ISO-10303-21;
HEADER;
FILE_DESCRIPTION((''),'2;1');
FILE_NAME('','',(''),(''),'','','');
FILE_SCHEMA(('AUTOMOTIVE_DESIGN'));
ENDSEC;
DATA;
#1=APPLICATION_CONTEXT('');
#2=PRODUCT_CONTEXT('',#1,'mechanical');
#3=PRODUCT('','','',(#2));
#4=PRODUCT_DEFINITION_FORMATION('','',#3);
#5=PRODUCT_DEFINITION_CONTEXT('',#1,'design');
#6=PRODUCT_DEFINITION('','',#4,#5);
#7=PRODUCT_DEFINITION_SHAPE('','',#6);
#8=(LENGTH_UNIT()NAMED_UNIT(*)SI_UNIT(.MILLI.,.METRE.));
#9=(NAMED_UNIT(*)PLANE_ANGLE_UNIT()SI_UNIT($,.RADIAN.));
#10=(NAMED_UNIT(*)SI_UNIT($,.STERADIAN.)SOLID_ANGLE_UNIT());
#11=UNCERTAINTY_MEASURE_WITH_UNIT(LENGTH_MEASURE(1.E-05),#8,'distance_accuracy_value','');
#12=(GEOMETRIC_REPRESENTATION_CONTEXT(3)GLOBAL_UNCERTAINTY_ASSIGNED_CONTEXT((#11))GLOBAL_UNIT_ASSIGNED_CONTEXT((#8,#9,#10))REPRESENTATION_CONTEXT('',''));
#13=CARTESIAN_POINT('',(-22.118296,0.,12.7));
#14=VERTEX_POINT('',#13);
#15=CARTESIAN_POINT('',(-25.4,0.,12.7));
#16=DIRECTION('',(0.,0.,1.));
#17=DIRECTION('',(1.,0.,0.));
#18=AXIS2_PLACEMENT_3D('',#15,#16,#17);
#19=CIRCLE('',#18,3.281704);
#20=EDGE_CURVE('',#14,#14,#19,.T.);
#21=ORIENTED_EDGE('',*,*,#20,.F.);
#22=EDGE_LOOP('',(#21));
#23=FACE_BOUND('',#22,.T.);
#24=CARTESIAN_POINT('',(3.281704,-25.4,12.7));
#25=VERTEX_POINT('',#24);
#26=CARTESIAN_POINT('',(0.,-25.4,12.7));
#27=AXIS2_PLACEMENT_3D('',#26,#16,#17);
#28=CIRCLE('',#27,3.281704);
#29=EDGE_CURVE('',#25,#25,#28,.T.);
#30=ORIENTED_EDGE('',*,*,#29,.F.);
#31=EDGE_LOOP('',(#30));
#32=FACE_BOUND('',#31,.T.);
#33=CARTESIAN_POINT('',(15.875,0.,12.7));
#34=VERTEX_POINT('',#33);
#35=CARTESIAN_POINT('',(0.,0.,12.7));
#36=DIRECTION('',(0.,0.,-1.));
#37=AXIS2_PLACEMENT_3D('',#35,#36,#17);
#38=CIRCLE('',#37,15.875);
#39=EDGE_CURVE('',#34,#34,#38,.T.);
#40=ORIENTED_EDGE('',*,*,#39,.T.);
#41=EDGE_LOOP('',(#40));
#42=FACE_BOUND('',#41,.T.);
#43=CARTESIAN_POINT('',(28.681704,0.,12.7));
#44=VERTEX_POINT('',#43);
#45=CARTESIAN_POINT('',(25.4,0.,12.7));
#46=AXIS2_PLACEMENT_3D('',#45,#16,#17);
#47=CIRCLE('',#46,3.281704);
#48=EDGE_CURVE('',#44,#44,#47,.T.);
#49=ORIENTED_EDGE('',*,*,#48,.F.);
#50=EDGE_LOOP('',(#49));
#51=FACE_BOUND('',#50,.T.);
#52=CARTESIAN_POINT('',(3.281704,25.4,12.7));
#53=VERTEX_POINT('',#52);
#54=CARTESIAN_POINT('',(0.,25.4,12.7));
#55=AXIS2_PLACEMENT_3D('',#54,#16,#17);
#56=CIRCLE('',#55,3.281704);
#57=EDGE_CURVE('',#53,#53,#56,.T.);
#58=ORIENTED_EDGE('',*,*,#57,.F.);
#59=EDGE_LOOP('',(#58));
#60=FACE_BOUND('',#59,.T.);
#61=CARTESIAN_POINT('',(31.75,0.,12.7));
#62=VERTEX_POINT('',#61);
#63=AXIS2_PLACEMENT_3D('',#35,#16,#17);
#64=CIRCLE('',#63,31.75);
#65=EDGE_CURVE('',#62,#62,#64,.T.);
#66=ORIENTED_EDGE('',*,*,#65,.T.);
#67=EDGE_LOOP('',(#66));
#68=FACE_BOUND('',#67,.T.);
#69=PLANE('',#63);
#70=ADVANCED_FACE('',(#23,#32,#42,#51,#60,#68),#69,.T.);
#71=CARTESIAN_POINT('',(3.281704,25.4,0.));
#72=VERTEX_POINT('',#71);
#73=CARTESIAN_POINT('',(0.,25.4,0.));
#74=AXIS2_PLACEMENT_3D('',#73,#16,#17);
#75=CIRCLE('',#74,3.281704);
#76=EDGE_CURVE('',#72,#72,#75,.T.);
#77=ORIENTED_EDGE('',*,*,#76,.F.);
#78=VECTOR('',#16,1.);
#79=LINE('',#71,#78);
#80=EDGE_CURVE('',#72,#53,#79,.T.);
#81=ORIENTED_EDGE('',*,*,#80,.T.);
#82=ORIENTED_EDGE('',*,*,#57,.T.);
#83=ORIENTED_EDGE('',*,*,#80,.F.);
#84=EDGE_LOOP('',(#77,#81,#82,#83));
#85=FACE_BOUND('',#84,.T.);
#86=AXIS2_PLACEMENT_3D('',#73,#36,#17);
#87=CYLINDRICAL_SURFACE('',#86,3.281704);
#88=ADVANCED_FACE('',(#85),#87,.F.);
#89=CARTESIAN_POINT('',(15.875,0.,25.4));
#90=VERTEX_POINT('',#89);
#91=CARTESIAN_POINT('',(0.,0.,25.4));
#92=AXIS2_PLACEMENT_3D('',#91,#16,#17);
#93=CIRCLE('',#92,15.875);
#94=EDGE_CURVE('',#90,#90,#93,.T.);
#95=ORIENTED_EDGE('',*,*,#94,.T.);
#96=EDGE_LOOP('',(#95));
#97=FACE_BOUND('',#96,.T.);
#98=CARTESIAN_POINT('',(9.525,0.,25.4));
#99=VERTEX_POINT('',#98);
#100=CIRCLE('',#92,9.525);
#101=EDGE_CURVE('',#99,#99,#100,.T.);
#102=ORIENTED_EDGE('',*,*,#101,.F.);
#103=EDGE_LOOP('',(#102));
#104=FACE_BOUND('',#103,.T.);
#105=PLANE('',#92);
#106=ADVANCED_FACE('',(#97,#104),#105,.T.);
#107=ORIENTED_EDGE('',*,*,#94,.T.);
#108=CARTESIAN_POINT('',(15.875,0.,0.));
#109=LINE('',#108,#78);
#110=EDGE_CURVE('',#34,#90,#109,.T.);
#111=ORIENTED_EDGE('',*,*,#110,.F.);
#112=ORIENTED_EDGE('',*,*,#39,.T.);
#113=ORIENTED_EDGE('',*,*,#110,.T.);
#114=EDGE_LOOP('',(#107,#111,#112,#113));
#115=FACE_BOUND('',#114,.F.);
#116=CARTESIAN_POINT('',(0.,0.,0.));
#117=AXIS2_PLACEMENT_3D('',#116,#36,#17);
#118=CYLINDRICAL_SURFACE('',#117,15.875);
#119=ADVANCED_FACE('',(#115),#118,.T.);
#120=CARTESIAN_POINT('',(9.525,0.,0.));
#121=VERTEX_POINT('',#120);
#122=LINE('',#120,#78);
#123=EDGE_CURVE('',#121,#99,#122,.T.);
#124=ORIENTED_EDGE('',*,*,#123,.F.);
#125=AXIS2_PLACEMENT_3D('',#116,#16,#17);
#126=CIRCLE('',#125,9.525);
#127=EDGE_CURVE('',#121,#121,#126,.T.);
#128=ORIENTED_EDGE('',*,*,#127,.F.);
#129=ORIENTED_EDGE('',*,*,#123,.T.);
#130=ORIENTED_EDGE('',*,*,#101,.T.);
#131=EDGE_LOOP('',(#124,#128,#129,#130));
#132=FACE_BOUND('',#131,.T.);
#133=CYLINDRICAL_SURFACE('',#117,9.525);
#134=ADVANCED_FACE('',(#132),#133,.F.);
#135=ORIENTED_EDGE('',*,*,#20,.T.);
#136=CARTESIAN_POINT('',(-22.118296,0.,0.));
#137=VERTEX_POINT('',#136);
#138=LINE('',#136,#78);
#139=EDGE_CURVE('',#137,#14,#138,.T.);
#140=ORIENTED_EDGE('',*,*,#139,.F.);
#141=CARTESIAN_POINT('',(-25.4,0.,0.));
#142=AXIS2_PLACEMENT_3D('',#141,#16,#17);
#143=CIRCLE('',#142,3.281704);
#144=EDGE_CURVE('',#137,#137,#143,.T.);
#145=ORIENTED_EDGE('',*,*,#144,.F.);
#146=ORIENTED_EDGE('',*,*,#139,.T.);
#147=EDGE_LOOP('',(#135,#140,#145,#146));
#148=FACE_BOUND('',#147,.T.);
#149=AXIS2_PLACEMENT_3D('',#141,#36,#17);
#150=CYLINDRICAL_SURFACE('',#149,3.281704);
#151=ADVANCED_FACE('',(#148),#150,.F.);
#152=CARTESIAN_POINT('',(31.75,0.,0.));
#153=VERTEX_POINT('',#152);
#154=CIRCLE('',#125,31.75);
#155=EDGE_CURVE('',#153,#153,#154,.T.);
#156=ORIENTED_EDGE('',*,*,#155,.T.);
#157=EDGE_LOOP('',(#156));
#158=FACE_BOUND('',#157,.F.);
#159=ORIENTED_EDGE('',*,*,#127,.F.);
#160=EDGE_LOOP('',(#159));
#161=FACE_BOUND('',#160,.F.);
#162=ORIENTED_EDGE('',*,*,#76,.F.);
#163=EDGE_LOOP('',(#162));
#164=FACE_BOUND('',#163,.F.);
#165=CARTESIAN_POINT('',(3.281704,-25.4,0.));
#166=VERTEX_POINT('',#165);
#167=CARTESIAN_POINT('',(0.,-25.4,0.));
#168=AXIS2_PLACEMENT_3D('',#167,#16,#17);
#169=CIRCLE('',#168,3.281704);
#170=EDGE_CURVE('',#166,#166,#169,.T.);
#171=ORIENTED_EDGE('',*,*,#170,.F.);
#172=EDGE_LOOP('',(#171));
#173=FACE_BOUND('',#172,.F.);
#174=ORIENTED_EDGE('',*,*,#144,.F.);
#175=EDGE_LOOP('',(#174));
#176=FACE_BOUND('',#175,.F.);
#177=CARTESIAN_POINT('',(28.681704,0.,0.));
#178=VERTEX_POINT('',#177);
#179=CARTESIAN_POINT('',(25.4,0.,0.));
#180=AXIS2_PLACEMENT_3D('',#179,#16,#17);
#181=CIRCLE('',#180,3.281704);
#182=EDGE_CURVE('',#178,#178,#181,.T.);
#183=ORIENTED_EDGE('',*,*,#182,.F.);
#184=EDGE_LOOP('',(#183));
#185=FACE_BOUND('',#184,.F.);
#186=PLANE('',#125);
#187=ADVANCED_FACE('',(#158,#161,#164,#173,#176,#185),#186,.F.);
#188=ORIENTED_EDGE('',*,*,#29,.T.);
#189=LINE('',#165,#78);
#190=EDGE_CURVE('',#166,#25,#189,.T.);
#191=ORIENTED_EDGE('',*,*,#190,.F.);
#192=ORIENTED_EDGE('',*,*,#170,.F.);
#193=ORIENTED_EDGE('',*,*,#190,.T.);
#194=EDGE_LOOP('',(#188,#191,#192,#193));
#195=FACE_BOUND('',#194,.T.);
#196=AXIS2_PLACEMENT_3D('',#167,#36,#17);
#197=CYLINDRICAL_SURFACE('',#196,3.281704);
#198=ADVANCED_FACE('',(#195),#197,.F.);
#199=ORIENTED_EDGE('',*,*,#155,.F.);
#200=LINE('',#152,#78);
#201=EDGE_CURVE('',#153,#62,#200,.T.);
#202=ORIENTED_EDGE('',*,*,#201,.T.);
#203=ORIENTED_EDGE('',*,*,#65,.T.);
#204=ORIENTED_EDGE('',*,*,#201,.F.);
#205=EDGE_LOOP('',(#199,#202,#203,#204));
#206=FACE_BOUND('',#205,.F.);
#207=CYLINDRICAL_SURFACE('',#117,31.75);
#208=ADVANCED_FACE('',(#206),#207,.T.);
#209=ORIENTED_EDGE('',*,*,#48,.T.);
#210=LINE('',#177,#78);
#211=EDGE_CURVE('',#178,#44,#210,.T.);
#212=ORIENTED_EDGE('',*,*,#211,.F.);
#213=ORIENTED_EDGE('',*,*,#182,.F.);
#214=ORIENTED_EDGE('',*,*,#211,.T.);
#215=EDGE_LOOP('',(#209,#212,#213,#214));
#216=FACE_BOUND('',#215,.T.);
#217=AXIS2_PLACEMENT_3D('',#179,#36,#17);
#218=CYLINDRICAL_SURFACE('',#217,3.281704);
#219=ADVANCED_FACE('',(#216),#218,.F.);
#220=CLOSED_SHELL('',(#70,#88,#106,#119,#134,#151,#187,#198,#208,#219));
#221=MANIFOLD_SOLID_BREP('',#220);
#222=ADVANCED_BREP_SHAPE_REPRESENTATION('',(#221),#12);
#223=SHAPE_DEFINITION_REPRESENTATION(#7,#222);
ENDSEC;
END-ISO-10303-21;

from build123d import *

# Parameters (mm, degrees)
F0_R     = 31.75
F0_R_2   = 3.281704
F0_R_3   = 15.875
F0_R_4   = 9.525
F1_DEPTH = 12.7
F2_DEPTH = 25.4


with BuildPart() as f1:
    # F0 (on Top) → F1 (new body)
    with BuildSketch(Plane.XY):
        Circle(F0_R)
        with Locations((0, -25.4)):
            Circle(F0_R_2, mode=Mode.SUBTRACT)
        with Locations((-25.4, 0)):
            Circle(F0_R_2, mode=Mode.SUBTRACT)
        Circle(F0_R_3, mode=Mode.SUBTRACT)
        with Locations((25.4, 0)):
            Circle(F0_R_2, mode=Mode.SUBTRACT)
        with Locations((0, 25.4)):
            Circle(F0_R_2, mode=Mode.SUBTRACT)
        Circle(F0_R_3)
        Circle(F0_R_4, mode=Mode.SUBTRACT)
    extrude(amount=F1_DEPTH)

    # F0 (on Top) → F2 (join)
    with BuildSketch(Plane.XY):
        Circle(F0_R_3)
        Circle(F0_R_4, mode=Mode.SUBTRACT)
    extrude(amount=F2_DEPTH)


solid = f1.part
